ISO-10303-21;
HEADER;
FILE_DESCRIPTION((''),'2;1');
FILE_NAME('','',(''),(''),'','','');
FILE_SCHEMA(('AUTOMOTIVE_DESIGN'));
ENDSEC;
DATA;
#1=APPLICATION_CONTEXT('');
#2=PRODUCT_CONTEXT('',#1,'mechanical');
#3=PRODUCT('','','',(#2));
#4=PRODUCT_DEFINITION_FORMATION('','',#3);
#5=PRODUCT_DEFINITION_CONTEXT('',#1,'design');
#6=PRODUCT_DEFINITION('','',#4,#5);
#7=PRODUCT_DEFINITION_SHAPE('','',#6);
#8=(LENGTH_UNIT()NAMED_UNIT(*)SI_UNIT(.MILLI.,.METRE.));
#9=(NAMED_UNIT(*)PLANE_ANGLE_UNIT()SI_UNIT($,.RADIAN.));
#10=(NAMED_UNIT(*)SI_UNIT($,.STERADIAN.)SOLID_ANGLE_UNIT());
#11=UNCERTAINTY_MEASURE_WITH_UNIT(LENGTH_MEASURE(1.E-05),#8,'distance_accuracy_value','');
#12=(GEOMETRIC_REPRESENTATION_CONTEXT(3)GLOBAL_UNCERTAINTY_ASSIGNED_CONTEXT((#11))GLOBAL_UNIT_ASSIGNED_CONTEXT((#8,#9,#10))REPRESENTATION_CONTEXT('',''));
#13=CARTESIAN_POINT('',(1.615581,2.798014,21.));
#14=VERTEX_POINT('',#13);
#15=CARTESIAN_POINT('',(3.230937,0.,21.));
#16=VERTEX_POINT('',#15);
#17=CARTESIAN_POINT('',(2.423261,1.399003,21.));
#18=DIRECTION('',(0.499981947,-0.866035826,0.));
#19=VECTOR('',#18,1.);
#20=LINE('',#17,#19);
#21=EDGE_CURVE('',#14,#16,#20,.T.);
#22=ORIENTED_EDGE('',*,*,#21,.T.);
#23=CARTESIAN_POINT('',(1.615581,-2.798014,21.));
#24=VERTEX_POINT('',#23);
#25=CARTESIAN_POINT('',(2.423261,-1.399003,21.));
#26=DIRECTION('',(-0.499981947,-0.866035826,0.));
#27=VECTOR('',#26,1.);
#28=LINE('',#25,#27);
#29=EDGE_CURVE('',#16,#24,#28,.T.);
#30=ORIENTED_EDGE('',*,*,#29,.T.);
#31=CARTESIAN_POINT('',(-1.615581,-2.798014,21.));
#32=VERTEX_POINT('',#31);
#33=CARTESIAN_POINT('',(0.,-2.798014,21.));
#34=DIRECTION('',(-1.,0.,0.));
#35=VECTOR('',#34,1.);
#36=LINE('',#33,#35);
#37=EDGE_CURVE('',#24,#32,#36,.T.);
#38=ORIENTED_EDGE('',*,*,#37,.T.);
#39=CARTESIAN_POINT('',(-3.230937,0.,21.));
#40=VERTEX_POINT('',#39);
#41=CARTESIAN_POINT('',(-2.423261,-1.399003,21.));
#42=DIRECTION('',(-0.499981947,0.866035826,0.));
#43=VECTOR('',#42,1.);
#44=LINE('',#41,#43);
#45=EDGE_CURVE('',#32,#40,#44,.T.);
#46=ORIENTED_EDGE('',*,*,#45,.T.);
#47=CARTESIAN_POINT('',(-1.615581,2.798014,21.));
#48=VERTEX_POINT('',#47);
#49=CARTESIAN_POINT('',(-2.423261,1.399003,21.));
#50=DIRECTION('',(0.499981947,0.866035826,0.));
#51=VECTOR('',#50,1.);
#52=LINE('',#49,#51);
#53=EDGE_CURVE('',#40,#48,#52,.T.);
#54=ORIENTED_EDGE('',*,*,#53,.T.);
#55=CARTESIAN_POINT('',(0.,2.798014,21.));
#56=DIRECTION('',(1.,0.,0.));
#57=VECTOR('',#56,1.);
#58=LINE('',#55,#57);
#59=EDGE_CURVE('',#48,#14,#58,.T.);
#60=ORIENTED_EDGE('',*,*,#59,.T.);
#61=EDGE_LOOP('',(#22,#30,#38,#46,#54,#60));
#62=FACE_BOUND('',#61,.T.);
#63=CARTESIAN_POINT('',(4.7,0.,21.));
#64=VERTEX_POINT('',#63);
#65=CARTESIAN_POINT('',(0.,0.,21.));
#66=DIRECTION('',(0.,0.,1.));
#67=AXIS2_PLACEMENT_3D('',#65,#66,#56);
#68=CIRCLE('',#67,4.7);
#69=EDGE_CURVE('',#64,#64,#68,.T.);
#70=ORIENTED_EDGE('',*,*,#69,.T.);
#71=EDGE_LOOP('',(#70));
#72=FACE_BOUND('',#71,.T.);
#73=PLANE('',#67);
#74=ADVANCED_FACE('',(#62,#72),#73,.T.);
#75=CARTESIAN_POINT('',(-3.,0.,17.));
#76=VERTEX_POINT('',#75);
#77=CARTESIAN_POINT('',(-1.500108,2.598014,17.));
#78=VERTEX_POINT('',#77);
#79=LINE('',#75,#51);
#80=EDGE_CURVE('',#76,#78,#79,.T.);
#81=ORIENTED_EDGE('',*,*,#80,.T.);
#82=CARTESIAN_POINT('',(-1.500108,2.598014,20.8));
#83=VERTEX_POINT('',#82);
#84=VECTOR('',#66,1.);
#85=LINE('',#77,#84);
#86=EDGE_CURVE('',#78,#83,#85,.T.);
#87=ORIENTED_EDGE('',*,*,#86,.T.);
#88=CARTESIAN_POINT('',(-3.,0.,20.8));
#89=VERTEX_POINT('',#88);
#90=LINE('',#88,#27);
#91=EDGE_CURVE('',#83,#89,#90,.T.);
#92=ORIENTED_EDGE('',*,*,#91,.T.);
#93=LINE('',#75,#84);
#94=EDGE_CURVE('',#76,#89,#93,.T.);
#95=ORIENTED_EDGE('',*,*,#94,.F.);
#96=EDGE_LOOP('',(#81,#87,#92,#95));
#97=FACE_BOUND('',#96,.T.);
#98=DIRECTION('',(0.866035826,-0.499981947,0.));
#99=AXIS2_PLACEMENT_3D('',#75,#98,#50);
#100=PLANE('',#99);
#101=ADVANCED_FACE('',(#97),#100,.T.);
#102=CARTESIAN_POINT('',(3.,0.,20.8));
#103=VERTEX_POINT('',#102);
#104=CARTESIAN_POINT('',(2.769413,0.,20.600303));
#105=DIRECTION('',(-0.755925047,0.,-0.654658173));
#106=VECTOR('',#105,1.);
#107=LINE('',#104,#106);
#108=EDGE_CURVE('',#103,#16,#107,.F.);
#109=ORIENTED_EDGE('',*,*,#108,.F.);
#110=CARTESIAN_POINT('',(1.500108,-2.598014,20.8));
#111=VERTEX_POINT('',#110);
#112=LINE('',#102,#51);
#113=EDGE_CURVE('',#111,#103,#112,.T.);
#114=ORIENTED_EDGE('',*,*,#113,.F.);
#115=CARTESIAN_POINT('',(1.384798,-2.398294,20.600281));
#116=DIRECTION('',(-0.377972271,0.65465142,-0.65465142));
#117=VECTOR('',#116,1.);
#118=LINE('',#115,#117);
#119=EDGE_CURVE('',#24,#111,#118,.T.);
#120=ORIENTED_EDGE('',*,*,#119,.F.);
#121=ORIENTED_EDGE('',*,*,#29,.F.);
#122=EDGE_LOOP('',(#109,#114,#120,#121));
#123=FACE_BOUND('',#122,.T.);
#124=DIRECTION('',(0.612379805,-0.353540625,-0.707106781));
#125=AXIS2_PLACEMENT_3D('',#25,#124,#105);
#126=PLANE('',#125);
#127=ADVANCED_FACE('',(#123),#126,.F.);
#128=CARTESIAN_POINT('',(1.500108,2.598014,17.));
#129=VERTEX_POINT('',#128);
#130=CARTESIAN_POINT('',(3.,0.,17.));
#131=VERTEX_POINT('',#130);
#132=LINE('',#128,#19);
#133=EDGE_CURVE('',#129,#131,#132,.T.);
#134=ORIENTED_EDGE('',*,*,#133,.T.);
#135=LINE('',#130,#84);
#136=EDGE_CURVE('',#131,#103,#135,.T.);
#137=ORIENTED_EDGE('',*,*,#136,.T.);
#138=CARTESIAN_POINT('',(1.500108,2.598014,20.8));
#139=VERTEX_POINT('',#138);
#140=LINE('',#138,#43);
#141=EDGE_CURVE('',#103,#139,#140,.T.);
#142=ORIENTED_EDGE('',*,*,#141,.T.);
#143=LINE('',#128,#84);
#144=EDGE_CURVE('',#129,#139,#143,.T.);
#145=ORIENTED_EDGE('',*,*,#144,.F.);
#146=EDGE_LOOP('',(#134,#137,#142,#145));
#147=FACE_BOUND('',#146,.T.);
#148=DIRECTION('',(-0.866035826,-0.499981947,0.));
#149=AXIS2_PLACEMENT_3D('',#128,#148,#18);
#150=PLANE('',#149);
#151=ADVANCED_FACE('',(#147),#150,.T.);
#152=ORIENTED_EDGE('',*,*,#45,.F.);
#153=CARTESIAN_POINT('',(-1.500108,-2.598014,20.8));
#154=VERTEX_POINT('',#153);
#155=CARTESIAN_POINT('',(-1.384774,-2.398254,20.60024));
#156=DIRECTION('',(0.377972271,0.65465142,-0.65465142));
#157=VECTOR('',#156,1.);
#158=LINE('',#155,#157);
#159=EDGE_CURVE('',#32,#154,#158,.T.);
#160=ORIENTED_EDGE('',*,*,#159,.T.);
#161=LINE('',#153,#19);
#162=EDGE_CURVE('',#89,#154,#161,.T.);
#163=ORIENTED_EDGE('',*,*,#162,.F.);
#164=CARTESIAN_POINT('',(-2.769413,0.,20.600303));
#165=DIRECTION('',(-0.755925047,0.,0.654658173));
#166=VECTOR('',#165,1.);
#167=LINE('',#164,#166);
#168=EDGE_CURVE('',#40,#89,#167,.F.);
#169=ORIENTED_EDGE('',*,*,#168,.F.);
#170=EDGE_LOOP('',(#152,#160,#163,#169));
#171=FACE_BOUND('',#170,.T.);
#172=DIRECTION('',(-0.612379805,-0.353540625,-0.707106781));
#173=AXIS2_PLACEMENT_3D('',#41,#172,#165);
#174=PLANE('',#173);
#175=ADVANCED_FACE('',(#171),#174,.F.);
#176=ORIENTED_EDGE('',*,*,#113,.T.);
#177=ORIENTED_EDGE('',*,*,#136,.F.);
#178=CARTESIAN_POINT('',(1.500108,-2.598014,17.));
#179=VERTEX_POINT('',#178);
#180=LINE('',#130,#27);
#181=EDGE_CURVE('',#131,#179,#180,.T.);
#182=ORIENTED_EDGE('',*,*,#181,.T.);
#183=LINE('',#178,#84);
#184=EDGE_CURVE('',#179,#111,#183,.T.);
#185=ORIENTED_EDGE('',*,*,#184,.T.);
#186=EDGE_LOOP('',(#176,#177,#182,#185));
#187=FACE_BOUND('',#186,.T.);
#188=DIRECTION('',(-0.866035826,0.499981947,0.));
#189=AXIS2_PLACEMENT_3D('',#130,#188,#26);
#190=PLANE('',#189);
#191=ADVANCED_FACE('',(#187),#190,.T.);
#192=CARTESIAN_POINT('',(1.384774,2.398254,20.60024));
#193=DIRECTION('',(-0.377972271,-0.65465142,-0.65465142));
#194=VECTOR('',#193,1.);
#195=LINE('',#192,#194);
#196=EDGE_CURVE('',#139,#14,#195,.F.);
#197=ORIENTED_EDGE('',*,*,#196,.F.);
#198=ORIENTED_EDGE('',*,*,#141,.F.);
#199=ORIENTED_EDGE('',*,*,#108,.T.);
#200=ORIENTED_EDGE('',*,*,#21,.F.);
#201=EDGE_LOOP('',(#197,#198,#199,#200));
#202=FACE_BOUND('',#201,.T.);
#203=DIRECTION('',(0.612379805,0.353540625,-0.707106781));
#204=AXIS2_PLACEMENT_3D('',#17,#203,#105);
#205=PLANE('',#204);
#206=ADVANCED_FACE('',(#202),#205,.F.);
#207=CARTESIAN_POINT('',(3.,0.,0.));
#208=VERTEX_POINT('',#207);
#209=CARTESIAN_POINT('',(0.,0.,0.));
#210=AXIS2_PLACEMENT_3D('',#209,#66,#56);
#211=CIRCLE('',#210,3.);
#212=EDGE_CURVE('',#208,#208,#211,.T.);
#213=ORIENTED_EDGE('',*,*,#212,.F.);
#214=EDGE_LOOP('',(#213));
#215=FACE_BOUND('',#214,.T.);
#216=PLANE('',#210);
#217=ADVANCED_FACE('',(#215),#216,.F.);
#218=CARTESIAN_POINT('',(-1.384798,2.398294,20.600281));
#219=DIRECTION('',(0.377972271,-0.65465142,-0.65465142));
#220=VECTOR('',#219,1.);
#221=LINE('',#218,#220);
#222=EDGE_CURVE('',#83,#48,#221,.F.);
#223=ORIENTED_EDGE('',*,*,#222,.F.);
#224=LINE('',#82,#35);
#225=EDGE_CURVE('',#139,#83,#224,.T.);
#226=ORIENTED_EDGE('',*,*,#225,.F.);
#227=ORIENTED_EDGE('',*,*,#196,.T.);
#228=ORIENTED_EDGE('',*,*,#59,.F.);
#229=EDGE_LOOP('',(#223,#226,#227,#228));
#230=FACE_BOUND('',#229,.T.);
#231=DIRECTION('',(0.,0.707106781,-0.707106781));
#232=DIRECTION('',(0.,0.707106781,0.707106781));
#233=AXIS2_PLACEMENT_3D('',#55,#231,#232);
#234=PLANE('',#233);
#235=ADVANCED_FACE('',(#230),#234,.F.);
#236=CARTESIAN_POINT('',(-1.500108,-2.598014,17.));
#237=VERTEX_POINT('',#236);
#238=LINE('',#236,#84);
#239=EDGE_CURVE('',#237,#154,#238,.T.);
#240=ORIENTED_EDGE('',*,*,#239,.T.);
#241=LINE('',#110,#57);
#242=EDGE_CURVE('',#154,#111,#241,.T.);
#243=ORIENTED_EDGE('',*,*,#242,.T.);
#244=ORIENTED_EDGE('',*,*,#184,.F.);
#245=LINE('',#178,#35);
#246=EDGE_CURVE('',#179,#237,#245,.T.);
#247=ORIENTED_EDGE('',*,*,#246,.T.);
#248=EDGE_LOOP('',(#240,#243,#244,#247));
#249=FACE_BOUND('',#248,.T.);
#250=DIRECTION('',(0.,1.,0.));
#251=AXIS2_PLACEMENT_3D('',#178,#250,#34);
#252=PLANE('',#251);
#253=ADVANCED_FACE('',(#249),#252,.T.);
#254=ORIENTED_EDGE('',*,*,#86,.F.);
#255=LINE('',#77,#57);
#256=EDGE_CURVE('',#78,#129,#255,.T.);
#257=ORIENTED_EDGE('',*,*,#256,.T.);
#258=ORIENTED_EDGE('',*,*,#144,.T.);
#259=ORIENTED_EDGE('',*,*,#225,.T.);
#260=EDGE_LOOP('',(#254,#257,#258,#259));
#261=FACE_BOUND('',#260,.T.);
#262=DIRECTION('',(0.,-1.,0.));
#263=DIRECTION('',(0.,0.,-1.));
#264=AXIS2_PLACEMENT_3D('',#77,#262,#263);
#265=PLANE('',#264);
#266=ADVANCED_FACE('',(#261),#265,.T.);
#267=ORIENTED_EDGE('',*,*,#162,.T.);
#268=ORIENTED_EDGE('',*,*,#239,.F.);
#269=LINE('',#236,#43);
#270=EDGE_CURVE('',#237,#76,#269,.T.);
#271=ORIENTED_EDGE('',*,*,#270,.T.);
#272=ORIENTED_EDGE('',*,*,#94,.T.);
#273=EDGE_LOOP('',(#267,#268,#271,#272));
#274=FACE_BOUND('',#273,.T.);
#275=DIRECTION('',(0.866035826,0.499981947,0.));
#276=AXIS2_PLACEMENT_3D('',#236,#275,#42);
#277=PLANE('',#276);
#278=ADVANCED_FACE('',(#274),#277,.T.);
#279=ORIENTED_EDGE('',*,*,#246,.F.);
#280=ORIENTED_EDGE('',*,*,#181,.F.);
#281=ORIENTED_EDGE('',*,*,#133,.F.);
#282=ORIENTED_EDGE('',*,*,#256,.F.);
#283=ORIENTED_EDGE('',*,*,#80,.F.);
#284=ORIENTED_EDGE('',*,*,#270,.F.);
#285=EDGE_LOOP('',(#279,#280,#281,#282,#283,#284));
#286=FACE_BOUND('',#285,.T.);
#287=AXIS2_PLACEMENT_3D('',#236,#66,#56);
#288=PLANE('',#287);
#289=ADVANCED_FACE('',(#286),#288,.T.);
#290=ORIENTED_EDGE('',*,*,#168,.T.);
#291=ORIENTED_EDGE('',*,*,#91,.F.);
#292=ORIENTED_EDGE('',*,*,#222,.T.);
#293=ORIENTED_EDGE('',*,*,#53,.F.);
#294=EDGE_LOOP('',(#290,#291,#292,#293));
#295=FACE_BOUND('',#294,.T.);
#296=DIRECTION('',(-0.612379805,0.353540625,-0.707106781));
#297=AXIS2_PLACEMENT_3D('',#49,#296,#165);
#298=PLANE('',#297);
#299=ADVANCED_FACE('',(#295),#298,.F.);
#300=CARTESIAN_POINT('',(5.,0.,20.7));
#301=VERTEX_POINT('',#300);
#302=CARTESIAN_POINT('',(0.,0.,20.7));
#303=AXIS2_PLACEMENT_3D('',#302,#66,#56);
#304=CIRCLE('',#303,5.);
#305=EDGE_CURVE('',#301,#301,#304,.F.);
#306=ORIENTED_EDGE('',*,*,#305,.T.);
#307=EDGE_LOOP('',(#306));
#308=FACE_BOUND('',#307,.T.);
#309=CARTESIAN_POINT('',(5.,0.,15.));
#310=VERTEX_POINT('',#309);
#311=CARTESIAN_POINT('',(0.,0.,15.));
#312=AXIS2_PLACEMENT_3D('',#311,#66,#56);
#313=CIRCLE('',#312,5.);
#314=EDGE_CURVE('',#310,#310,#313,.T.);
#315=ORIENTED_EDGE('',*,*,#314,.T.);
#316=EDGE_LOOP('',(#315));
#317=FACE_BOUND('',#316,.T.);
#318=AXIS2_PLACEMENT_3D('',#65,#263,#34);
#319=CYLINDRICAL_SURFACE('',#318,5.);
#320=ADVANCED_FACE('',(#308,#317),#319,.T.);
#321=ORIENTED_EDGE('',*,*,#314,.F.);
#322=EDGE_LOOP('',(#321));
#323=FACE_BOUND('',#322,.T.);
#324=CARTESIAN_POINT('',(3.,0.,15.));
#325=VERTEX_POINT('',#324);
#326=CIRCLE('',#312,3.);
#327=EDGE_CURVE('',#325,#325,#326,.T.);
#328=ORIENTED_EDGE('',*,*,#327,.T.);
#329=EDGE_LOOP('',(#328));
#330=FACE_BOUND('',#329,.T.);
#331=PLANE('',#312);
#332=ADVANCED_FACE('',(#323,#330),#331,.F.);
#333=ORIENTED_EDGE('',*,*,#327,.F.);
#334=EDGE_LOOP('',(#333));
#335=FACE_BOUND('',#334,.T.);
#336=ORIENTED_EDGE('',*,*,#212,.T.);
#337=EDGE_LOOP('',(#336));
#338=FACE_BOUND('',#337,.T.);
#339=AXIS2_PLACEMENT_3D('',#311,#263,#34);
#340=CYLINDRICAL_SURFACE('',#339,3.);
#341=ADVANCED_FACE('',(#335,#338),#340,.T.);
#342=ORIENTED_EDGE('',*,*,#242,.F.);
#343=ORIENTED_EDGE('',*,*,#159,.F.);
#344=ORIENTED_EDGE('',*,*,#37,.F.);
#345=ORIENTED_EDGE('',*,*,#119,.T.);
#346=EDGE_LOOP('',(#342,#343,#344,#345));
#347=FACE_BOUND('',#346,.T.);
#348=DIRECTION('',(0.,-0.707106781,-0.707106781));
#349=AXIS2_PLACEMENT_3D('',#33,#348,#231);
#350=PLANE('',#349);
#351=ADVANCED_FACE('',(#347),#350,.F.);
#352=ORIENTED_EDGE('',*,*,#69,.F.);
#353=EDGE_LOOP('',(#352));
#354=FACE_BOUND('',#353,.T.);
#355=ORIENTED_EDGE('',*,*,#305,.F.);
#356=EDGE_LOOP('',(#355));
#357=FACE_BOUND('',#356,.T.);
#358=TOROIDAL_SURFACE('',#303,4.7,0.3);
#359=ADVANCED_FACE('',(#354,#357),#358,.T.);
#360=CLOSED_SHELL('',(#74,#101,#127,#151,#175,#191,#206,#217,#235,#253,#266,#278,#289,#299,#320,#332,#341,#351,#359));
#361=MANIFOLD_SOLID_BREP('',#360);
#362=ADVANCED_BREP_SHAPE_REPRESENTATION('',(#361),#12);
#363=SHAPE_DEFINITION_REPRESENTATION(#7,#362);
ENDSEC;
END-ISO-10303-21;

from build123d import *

# Parameters (mm, degrees)
ESQUISSE1_R             = 3
BASE_EXTRUSION_DEPTH    = 15
ESQUISSE2_R             = 5
BOSS_EXTRU_1_DEPTH      = 6
ENL_V_MAT_EXTRU_1_DEPTH = 4
CHANFREIN3_SIZE         = 0.2
CONG_1_R                = 0.3


with BuildPart() as part:
    # Esquisse1 → Base-Extrusion (new body)
    with BuildSketch(Plane.XY):
        Circle(ESQUISSE1_R)
    extrude(amount=BASE_EXTRUSION_DEPTH)

    # Esquisse2 → Boss.-Extru.1 (add)
    with BuildSketch(Plane.XY.offset(15)):
        Circle(ESQUISSE2_R)
    extrude(amount=BOSS_EXTRU_1_DEPTH)

    # Esquisse3 → Enlèv. mat.-Extru.1 (cut)
    with BuildSketch(Plane.XY.offset(21)):
        Polygon((-3, 0), (-1.500108314, 2.598013673), (1.500108314, 2.598013673), (3, 0), (1.500108314, -2.598013673), (-1.500108314, -2.598013673), align=None)
    extrude(amount=-ENL_V_MAT_EXTRU_1_DEPTH, mode=Mode.SUBTRACT)

    # Chanfrein3
    chanfrein3_edges = [part.edges().sort_by_distance(p)[0] for p in [
        (-2.250054157, -1.299006837, 21),
        (0, -2.598013673, 21),
        (2.250054157, -1.299006837, 21),
        (2.250054157, 1.299006837, 21),
        (0, 2.598013673, 21),
        (-2.250054157, 1.299006837, 21),
    ]]
    chamfer(chanfrein3_edges, length=CHANFREIN3_SIZE)

    # Congé1
    cong_1_edges = [part.edges().sort_by_distance(p)[0] for p in [
        (-5, 0, 21),
    ]]
    fillet(cong_1_edges, radius=CONG_1_R)


solid = part.part
